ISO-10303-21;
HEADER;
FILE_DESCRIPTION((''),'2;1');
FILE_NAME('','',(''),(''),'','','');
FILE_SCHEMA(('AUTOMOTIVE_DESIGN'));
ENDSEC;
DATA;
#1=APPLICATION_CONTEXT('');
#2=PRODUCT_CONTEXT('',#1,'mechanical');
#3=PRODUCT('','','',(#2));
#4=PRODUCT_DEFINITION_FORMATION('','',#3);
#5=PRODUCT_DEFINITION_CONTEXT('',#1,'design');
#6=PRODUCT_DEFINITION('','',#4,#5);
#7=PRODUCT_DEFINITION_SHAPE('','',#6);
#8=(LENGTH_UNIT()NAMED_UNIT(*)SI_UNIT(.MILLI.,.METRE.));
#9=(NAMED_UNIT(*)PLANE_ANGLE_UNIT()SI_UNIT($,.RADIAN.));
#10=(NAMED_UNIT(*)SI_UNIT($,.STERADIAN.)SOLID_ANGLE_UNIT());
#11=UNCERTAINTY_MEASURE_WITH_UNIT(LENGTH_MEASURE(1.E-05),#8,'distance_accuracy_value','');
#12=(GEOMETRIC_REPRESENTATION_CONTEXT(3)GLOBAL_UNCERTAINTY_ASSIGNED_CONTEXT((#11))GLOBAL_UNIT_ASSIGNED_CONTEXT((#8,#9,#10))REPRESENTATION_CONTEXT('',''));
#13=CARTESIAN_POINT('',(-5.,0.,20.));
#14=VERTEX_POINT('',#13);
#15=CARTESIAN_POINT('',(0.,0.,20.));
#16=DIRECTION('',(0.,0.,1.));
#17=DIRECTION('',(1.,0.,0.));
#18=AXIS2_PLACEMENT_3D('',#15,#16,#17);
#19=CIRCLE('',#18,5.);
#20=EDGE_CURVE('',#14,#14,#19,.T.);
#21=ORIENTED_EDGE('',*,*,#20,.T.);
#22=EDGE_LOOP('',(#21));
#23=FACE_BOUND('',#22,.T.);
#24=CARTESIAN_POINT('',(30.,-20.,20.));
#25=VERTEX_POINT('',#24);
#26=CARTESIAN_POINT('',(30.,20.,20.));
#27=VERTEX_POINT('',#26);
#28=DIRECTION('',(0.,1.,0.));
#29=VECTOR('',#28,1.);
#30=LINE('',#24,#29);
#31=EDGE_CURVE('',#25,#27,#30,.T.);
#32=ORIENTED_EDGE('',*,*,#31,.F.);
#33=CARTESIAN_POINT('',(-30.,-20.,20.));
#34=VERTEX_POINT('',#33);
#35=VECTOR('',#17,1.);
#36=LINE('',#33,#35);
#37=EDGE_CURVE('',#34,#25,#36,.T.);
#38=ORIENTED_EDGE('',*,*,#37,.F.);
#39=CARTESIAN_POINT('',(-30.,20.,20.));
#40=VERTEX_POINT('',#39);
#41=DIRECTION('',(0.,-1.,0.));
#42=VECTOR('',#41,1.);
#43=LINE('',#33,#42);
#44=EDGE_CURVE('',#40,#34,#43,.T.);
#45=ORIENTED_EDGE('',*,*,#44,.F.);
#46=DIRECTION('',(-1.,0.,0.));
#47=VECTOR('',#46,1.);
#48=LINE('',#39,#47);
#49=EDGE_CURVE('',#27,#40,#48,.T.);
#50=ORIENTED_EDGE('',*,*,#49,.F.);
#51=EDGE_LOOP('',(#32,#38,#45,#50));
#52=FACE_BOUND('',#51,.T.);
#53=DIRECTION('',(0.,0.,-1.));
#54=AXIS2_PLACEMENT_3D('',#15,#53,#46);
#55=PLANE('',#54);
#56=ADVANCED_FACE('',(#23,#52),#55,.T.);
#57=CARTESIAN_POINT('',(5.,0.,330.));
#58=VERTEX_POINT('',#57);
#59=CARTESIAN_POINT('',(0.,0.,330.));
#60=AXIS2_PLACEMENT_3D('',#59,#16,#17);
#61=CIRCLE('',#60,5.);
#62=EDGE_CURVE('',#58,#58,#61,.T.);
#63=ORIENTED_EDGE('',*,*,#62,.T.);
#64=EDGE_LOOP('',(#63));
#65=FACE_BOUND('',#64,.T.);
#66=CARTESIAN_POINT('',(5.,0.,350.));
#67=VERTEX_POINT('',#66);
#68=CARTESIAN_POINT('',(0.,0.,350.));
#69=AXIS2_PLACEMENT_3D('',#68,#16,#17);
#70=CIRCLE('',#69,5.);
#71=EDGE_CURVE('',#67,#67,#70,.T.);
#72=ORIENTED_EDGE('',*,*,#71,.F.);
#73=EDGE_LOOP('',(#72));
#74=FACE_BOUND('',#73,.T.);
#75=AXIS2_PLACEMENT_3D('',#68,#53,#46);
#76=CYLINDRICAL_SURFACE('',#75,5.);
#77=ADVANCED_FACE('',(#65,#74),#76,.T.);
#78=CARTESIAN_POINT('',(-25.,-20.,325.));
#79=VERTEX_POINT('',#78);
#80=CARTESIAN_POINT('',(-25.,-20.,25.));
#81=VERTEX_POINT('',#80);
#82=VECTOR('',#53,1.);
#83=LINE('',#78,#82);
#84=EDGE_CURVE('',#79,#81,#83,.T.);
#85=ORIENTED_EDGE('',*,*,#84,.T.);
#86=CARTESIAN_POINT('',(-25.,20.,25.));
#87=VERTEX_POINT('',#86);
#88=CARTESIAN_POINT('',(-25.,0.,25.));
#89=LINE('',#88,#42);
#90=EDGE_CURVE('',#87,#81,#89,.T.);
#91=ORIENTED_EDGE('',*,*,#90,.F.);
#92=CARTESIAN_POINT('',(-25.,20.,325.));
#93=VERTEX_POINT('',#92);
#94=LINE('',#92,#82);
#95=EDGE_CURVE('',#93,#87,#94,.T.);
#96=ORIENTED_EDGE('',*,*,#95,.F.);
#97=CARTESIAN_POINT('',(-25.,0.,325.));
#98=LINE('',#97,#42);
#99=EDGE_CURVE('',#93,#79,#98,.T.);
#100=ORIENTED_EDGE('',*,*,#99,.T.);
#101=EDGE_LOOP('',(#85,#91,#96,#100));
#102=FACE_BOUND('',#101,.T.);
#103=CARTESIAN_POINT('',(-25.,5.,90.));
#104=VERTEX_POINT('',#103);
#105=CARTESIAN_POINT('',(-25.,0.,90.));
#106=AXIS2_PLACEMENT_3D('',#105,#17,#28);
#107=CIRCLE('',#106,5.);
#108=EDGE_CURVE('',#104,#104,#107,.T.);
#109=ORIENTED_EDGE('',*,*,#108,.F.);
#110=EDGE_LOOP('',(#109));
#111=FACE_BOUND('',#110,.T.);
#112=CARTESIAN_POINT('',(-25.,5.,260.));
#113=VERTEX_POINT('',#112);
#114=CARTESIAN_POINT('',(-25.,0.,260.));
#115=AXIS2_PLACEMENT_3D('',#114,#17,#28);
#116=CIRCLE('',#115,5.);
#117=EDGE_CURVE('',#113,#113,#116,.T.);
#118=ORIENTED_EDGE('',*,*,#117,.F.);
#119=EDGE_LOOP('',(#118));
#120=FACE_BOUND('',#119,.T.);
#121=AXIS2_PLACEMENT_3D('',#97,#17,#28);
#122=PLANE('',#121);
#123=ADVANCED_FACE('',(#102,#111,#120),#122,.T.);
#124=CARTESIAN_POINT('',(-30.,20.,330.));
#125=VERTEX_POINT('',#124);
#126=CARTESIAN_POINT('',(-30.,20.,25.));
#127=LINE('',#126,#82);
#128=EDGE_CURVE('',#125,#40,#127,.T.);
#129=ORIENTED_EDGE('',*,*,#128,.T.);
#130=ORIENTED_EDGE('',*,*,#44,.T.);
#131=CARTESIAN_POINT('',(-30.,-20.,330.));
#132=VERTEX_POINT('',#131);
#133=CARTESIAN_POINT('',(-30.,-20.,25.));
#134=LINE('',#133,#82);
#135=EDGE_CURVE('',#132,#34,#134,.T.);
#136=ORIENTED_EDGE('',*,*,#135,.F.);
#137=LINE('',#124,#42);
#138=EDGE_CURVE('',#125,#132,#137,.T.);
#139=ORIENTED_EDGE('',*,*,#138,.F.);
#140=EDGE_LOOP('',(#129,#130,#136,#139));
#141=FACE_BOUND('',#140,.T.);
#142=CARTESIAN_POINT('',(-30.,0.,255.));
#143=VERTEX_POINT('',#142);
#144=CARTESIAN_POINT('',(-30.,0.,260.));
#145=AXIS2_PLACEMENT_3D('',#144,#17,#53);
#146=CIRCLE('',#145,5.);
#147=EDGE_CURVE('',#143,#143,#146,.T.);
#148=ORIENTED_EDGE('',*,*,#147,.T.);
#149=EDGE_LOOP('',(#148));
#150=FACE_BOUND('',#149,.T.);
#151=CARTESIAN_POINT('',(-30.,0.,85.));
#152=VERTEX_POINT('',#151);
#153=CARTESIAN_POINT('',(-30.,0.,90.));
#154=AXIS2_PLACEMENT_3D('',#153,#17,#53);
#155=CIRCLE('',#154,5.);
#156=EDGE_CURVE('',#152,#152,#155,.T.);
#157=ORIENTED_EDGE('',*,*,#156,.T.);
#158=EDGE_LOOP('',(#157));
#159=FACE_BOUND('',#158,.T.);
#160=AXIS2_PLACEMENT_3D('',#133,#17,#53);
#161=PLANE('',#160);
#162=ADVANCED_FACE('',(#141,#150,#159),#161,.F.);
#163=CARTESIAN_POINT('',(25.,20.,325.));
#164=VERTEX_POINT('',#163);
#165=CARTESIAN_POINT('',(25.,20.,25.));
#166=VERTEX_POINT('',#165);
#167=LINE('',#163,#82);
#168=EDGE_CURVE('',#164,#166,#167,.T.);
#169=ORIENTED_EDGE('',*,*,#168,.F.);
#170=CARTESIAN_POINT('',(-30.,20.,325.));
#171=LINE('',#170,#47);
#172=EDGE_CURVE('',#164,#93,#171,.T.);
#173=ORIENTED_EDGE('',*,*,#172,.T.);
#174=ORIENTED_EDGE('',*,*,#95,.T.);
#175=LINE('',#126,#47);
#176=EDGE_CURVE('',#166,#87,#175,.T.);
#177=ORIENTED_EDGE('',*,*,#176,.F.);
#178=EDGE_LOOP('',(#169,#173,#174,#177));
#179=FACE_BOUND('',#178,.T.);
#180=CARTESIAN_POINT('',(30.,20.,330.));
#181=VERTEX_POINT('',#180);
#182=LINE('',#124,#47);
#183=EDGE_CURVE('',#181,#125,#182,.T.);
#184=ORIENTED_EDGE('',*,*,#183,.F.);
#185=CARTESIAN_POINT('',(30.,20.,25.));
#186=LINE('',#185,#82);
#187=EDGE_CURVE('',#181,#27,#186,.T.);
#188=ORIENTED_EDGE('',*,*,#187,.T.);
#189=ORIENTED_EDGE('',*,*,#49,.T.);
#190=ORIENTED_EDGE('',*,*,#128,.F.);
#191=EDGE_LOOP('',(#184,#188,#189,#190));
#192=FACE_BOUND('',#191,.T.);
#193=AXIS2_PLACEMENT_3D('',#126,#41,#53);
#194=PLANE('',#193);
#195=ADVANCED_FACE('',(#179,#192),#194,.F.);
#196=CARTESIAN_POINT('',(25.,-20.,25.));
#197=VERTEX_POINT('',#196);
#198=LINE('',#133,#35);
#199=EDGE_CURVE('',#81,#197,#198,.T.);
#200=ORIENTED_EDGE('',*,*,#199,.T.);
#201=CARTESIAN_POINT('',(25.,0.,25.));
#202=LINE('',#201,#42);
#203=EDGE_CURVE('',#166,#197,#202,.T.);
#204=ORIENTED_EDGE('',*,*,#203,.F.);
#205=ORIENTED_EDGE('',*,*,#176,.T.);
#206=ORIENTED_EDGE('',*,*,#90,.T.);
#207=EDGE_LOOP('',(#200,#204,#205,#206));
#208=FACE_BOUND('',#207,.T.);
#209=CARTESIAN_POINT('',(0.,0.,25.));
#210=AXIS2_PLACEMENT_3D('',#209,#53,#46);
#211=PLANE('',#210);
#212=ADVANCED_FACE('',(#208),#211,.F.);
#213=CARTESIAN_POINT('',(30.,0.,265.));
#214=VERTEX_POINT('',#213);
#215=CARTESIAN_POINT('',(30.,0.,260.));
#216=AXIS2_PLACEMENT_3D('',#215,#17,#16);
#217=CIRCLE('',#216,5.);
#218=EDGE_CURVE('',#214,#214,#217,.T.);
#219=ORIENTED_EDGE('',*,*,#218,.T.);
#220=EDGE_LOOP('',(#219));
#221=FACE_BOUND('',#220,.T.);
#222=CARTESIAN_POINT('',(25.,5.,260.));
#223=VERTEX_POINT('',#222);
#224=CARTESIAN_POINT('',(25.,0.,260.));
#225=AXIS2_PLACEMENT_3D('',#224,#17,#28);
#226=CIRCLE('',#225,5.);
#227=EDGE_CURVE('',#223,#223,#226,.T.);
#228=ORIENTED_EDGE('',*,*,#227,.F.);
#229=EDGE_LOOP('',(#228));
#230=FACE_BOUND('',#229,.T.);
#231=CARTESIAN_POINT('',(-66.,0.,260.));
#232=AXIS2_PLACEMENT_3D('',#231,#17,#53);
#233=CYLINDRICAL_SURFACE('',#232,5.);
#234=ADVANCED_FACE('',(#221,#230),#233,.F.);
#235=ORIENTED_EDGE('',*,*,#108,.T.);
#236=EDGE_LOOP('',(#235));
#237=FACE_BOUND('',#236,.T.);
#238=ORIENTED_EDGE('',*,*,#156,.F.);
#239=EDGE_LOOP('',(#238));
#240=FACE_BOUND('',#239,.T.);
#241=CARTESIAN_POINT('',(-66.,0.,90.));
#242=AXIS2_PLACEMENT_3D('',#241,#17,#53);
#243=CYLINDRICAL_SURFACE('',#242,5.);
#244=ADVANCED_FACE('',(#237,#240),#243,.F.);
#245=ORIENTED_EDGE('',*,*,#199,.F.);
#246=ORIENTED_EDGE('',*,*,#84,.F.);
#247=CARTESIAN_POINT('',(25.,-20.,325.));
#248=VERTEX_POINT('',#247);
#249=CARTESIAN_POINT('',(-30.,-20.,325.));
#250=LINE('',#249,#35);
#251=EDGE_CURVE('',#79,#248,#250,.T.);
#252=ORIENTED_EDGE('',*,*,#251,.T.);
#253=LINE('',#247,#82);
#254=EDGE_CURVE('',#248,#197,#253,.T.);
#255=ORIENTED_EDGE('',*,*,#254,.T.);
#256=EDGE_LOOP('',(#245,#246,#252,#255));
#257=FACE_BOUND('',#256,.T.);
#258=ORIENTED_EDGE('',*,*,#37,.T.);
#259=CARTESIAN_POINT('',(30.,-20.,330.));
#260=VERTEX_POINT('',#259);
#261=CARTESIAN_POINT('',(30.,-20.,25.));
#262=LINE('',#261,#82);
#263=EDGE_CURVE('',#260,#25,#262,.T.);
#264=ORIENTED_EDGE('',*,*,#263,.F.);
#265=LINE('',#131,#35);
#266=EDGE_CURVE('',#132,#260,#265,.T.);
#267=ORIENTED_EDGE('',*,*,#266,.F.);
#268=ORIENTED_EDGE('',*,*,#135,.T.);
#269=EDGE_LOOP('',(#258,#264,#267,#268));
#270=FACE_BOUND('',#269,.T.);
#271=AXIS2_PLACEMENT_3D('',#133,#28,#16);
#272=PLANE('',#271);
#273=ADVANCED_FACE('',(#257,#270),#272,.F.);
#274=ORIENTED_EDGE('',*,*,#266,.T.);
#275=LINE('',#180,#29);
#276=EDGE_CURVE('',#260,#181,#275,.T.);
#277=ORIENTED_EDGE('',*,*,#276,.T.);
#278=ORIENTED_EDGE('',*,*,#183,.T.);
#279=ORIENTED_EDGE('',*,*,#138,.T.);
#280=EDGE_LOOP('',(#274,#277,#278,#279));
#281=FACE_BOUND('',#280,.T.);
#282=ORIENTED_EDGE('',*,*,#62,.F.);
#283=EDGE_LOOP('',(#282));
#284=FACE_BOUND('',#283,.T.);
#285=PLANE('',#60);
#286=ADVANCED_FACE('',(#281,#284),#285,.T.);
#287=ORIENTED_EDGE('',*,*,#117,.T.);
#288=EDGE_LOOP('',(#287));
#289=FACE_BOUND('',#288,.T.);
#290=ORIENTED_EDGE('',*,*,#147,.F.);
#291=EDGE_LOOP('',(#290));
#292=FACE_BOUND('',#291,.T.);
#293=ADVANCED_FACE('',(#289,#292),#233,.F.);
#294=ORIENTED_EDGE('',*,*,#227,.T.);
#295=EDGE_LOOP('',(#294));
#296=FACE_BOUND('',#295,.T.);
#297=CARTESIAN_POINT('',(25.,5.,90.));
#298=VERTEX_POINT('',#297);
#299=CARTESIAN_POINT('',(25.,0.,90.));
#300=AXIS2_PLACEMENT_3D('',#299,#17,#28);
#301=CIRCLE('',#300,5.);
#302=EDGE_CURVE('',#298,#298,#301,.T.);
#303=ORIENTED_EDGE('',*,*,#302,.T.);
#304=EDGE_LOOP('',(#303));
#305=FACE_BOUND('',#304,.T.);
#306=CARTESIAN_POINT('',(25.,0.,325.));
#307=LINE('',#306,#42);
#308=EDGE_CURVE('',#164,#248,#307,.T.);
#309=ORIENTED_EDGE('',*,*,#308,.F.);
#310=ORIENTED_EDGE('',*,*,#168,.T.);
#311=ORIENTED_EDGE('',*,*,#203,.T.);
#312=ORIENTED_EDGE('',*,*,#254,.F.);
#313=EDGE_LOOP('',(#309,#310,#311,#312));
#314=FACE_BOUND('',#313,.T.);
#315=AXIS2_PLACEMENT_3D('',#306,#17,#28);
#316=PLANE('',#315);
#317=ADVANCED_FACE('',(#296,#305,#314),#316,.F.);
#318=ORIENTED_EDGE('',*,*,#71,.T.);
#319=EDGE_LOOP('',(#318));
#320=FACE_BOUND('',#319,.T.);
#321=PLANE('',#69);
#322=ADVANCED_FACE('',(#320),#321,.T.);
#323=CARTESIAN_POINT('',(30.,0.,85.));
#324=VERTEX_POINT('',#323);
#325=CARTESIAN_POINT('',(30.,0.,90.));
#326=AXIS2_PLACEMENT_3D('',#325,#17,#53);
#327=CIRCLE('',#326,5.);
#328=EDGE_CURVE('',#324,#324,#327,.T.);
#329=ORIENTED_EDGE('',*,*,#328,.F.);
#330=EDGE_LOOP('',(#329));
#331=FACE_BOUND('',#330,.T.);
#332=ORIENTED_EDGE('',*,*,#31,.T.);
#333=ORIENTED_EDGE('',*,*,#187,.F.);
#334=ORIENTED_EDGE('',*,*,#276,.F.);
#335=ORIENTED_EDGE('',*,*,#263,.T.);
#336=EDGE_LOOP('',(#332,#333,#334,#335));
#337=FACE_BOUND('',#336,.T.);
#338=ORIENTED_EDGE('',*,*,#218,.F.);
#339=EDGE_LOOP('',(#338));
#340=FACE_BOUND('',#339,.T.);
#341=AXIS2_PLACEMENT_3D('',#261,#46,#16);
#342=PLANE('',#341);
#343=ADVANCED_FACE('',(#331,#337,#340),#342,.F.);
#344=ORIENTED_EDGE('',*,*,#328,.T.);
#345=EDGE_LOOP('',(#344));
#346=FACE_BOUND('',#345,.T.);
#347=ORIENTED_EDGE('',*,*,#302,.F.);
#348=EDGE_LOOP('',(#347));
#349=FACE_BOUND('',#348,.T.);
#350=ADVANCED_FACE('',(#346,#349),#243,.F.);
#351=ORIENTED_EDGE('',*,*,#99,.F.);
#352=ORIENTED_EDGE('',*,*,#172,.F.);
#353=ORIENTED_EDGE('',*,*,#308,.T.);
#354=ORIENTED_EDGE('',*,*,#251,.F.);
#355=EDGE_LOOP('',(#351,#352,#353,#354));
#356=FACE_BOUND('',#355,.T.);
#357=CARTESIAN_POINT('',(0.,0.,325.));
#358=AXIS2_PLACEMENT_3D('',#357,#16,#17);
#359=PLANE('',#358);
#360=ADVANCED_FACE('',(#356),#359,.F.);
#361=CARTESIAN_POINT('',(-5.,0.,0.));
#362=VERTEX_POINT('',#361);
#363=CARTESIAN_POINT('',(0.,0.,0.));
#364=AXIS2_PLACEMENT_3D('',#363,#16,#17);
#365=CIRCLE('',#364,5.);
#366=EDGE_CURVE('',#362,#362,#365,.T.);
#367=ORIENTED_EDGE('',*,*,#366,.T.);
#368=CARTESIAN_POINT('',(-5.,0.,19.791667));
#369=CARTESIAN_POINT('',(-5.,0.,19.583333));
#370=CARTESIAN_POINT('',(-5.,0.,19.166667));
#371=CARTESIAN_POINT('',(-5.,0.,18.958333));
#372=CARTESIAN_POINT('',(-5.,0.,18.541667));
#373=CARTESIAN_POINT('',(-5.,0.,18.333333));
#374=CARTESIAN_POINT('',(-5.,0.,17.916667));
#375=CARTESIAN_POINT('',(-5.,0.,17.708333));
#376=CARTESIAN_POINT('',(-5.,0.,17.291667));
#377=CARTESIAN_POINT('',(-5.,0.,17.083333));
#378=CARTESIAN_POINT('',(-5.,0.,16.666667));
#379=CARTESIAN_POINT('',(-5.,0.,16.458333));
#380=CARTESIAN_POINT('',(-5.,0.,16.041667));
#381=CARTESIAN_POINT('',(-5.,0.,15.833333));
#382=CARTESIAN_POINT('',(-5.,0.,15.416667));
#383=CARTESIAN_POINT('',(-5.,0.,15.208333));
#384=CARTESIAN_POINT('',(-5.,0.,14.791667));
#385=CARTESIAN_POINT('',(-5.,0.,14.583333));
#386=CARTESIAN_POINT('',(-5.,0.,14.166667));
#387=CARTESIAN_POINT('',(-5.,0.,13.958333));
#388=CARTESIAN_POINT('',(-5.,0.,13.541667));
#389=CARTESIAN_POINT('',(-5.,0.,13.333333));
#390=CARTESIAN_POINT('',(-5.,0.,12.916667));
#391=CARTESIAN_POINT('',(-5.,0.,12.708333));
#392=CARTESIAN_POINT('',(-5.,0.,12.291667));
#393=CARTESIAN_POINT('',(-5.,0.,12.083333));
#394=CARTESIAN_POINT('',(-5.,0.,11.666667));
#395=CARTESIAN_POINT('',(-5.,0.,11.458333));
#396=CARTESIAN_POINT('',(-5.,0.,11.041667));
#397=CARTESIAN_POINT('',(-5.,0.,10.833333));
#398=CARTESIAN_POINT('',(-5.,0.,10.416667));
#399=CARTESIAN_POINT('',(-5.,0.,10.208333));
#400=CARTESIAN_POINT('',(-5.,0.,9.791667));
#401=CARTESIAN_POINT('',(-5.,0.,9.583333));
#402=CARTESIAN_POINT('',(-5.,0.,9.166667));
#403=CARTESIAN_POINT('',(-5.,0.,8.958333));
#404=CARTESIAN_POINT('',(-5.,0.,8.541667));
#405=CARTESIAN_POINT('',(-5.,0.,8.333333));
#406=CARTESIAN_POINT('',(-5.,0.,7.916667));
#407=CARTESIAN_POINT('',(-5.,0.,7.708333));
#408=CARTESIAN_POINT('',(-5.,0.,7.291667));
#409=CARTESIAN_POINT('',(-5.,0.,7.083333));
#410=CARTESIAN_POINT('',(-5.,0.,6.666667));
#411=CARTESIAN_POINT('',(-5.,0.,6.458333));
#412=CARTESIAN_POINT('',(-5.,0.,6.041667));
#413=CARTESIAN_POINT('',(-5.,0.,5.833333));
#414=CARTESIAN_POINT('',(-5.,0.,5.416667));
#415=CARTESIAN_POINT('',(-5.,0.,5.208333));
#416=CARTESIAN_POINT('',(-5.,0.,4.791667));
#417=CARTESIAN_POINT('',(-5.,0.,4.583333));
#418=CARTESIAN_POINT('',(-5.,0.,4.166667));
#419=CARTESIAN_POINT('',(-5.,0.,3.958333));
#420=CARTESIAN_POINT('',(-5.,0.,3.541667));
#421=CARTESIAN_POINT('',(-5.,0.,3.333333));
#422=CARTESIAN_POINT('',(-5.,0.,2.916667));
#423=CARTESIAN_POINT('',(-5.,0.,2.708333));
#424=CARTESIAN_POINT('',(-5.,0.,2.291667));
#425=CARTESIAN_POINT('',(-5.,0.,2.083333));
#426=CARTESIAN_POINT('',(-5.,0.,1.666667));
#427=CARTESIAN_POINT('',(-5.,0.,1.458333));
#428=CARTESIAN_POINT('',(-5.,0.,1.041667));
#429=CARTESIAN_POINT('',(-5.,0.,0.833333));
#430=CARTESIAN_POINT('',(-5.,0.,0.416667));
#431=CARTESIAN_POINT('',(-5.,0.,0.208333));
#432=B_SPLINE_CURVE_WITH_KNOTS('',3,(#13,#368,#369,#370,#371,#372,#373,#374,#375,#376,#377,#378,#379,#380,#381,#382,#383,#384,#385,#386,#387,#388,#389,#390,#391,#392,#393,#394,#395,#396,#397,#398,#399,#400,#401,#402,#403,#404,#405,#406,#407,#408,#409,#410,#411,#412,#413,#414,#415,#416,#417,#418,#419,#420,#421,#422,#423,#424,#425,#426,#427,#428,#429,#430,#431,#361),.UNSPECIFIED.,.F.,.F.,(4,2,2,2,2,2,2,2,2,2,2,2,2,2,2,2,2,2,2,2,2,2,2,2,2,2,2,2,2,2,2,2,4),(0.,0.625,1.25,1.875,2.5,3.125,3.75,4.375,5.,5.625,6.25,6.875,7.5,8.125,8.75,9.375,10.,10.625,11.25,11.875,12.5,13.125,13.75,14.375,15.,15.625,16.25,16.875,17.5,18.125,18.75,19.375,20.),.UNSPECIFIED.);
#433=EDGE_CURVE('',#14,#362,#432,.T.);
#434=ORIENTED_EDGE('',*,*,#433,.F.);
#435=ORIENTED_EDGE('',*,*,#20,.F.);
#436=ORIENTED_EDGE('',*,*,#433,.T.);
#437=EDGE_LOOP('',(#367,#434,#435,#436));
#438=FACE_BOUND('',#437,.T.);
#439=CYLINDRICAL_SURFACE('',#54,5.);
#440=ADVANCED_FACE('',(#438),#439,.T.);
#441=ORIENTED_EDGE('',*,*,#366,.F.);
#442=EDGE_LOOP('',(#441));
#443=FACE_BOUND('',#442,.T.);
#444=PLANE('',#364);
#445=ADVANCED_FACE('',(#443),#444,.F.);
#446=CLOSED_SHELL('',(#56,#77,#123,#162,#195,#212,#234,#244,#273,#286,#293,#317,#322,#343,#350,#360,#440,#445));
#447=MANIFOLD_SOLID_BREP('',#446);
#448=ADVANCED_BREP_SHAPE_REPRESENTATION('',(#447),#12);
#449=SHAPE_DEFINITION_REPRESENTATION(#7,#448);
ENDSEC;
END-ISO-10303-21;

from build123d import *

# Parameters (mm, degrees)
SKETCH_7_R          = 5
EXTRUDE_5_DEPTH     = 20
SKETCH_8_W          = 60
SKETCH_8_H          = 40
EXTRUDE_7_DEPTH     = 5
SKETCH_9_W          = 5
SKETCH_9_H          = 40
EXTRUDE_8_DEPTH     = 300
SKETCH_10_W         = 60
SKETCH_10_H         = 40
EXTRUDE_9_DEPTH     = 5
SKETCH_11_R         = 5
EXTRUDE_10_DEPTH    = 20
SKETCH_12_R         = 5
CUT_EXTRUDE_1_DEPTH = 96


with BuildPart() as part:
    # Эскиз7 → Бобышка-Вытянуть5 (new body)
    with BuildSketch(Plane.XY):
        with Locations(Location((0, 0, 0), (0, 0, 180))):
            Circle(SKETCH_7_R)
    extrude(amount=EXTRUDE_5_DEPTH)

    # Эскиз8 → Бобышка-Вытянуть7 (add)
    with BuildSketch(Plane.XY.offset(20)):
        Rectangle(SKETCH_8_W, SKETCH_8_H)
    extrude(amount=EXTRUDE_7_DEPTH)

    # Эскиз9 → Бобышка-Вытянуть8 (add)
    with BuildSketch(Plane.XY.offset(25)):
        with Locations((-27.5, 0)):
            Rectangle(SKETCH_9_W, SKETCH_9_H)
        with Locations((27.5, 0)):
            Rectangle(SKETCH_9_W, SKETCH_9_H)
    extrude(amount=EXTRUDE_8_DEPTH)

    # Эскиз10 → Бобышка-Вытянуть9 (add)
    with BuildSketch(Plane.XY.offset(325)):
        Rectangle(SKETCH_10_W, SKETCH_10_H)
    extrude(amount=EXTRUDE_9_DEPTH)

    # Эскиз11 → Бобышка-Вытянуть10 (add)
    with BuildSketch(Plane.XY.offset(330)):
        with Locations(Location((0, 0, 0), (0, 0, 180))):
            Circle(SKETCH_11_R)
    extrude(amount=EXTRUDE_10_DEPTH)

    # Эскиз12 → Вырез-Вытянуть1 (cut)
    with BuildSketch(Plane(origin=(30, 0, 0), x_dir=(0, 0, -1), z_dir=(1, 0, 0))):
        with Locations((-90, 0)):
            Circle(SKETCH_12_R)
        with Locations(Location((-260, 0, 0), (0, 0, 90))):
            Circle(SKETCH_12_R)
    extrude(amount=-CUT_EXTRUDE_1_DEPTH, mode=Mode.SUBTRACT)


solid = part.part
